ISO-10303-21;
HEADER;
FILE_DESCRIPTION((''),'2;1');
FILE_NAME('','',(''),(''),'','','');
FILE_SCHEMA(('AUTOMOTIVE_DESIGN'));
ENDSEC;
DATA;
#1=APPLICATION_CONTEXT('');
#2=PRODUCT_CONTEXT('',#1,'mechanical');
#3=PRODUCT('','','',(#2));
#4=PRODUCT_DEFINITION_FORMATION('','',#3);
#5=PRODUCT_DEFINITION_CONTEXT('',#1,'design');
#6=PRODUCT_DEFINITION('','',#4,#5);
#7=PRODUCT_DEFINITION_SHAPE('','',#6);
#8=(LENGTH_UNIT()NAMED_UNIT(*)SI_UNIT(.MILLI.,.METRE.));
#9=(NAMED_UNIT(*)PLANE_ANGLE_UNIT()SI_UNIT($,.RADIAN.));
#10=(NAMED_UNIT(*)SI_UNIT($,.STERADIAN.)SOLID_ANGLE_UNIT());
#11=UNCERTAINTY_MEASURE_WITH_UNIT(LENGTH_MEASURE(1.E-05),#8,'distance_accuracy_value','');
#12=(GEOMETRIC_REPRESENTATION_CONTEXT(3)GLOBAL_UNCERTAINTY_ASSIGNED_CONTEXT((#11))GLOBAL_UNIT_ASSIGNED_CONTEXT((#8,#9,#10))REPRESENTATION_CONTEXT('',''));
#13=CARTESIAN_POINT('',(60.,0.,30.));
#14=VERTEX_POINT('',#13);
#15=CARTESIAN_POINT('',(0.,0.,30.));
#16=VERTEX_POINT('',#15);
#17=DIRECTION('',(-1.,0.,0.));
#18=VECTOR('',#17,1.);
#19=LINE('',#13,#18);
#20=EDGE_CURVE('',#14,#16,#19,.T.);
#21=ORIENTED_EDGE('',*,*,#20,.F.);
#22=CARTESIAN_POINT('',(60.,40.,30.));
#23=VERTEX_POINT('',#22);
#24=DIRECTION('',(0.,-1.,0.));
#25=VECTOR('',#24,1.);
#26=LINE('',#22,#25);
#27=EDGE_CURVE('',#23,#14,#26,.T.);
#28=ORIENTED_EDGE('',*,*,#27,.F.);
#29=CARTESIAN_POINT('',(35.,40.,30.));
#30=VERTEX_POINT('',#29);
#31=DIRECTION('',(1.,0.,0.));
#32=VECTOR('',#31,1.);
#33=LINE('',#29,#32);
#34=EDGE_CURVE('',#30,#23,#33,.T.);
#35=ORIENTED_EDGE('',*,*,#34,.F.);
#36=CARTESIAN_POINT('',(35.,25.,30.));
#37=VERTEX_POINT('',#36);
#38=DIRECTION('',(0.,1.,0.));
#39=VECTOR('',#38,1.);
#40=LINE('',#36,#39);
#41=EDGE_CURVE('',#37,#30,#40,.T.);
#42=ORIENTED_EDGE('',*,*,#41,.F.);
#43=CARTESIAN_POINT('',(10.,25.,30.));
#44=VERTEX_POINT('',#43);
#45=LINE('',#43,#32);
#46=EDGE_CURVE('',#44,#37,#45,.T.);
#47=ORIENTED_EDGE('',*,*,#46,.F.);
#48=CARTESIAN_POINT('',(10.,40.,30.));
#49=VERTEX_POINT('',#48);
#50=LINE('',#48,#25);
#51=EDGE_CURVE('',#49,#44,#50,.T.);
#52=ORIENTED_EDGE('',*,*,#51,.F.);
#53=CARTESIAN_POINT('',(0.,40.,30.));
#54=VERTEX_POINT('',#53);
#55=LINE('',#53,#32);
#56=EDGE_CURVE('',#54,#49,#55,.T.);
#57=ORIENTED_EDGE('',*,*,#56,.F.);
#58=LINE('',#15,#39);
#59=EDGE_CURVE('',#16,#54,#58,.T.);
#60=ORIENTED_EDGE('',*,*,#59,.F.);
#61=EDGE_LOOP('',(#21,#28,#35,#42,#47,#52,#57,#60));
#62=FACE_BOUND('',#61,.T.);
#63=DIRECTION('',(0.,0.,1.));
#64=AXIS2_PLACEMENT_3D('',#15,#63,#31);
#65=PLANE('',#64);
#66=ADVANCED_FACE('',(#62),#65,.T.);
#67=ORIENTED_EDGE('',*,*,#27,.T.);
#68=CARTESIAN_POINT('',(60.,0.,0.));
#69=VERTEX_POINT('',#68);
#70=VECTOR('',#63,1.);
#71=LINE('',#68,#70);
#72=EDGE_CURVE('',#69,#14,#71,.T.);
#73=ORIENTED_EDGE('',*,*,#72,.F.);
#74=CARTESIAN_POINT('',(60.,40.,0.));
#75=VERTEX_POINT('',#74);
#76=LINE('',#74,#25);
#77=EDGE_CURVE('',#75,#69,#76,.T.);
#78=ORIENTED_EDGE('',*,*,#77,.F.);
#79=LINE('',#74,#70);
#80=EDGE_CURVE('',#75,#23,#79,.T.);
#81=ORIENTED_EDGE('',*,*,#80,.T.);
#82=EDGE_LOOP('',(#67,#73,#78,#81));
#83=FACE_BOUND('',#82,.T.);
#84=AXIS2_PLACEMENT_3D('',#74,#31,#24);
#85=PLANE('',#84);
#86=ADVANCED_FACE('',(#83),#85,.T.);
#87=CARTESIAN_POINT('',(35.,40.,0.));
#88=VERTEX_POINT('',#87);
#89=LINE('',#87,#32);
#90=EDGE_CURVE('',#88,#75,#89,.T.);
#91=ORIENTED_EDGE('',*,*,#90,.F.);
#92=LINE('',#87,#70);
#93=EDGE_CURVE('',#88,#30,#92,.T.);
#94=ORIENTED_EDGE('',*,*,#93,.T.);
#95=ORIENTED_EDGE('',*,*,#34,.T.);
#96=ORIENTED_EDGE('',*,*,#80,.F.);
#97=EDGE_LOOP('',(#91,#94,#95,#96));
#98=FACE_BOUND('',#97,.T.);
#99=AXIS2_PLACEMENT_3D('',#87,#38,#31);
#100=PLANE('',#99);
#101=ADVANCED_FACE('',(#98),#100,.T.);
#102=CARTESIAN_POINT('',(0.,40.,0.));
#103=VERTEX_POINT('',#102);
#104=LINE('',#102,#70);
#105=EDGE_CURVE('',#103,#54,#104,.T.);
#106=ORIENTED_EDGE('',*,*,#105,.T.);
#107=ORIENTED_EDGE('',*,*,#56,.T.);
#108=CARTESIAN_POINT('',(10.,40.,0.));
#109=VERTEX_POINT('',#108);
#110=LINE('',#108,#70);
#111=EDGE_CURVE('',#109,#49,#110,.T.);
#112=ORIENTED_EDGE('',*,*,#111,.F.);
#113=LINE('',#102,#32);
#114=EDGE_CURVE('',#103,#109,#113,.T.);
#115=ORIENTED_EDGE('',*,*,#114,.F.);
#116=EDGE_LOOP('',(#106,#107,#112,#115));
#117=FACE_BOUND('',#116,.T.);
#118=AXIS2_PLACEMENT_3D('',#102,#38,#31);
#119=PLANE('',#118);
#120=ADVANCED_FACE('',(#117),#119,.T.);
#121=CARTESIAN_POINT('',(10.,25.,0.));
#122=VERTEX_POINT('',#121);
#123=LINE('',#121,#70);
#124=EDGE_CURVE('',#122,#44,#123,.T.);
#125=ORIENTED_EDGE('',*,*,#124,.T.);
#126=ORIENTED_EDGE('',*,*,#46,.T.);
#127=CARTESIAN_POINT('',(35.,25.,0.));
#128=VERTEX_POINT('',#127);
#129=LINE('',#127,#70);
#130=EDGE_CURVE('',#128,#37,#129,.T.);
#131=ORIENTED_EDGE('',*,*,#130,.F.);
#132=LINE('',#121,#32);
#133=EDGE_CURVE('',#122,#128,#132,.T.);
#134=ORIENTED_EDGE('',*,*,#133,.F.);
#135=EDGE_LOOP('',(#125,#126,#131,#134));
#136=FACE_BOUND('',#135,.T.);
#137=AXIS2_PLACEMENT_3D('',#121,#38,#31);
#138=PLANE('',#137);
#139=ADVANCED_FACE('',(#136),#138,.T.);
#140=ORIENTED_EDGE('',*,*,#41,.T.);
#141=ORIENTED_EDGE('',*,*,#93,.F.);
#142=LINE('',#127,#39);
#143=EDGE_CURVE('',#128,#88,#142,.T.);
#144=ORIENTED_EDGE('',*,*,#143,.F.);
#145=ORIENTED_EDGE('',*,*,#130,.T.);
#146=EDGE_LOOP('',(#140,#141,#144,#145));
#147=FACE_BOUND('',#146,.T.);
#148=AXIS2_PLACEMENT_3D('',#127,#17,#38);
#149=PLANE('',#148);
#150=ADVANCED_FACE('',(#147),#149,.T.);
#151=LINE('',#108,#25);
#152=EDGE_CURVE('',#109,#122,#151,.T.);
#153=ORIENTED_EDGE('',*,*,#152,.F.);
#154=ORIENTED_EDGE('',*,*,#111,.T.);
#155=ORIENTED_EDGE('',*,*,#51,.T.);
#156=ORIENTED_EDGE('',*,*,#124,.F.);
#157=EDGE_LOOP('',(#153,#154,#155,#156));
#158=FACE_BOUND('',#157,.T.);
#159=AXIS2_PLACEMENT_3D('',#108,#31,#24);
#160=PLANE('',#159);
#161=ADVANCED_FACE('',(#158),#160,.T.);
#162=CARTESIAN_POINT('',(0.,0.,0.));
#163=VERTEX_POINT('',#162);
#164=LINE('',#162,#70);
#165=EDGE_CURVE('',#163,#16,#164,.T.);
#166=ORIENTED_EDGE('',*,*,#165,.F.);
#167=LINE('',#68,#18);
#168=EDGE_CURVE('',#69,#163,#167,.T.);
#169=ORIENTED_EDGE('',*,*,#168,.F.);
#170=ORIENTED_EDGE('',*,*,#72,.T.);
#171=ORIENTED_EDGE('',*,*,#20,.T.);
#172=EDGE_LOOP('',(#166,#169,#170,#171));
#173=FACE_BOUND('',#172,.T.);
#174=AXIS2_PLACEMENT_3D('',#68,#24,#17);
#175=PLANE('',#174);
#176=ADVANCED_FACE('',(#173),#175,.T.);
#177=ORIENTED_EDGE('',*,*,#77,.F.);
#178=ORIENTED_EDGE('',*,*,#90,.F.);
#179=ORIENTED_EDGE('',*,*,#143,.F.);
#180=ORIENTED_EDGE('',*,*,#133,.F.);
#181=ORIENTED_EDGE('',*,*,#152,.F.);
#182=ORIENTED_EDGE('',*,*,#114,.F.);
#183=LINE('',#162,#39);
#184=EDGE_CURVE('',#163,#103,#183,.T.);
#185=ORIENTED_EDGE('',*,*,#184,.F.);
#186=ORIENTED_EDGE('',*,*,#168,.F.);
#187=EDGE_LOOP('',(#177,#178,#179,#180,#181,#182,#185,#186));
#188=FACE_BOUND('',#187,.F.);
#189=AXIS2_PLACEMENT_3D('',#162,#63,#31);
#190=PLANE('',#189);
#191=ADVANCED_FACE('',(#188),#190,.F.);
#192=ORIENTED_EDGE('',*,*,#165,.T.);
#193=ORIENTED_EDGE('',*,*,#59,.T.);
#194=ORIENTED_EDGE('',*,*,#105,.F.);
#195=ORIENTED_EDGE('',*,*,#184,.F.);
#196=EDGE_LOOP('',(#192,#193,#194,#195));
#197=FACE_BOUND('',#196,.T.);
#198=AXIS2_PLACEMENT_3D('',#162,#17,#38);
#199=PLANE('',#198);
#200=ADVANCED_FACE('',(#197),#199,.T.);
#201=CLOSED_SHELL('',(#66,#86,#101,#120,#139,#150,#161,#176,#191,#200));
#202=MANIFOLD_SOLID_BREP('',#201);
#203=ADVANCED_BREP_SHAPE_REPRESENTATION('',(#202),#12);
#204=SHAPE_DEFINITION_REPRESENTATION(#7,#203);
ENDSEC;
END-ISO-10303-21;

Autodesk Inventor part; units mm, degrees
ref_plane "YZ Plane" through (0, 0, 0) normal (1, 0, 0) x (0, 1, 0)
ref_plane "XZ Plane" through (0, 0, 0) normal (0, 1, 0) x (-1, 0, 0)
ref_plane "XY Plane" through (0, 0, 0) normal (0, 0, 1) x (1, 0, 0)
sketch "Sketch1" plane through (0, 0, 0) normal (0, 0, 1) x (1, 0, 0)
  line L0 (0, 0) -> (0, 40)
  line L1 (0, 40) -> (10, 40)
  line L2 (10, 40) -> (10, 25)
  line L3 (10, 25) -> (35, 25)
  line L4 (35, 25) -> (35, 40)
  line L5 (35, 40) -> (60, 40)
  line L6 (60, 40) -> (60, 0)
  line L7 (60, 0) -> (0, 0)
  dimension "d0" = 40
  dimension "d1" = 10
  dimension "d2" = 15
  dimension "d3" = 25
  dimension "d4" = 25
extrude "Extrusion1" add sketch "Sketch1" along normal blind 30
sketch "Sketch2" plane through (60, 0, 0) normal (1, 0, 0) x (0, 0, -1)
  point P0 (0, 0)
